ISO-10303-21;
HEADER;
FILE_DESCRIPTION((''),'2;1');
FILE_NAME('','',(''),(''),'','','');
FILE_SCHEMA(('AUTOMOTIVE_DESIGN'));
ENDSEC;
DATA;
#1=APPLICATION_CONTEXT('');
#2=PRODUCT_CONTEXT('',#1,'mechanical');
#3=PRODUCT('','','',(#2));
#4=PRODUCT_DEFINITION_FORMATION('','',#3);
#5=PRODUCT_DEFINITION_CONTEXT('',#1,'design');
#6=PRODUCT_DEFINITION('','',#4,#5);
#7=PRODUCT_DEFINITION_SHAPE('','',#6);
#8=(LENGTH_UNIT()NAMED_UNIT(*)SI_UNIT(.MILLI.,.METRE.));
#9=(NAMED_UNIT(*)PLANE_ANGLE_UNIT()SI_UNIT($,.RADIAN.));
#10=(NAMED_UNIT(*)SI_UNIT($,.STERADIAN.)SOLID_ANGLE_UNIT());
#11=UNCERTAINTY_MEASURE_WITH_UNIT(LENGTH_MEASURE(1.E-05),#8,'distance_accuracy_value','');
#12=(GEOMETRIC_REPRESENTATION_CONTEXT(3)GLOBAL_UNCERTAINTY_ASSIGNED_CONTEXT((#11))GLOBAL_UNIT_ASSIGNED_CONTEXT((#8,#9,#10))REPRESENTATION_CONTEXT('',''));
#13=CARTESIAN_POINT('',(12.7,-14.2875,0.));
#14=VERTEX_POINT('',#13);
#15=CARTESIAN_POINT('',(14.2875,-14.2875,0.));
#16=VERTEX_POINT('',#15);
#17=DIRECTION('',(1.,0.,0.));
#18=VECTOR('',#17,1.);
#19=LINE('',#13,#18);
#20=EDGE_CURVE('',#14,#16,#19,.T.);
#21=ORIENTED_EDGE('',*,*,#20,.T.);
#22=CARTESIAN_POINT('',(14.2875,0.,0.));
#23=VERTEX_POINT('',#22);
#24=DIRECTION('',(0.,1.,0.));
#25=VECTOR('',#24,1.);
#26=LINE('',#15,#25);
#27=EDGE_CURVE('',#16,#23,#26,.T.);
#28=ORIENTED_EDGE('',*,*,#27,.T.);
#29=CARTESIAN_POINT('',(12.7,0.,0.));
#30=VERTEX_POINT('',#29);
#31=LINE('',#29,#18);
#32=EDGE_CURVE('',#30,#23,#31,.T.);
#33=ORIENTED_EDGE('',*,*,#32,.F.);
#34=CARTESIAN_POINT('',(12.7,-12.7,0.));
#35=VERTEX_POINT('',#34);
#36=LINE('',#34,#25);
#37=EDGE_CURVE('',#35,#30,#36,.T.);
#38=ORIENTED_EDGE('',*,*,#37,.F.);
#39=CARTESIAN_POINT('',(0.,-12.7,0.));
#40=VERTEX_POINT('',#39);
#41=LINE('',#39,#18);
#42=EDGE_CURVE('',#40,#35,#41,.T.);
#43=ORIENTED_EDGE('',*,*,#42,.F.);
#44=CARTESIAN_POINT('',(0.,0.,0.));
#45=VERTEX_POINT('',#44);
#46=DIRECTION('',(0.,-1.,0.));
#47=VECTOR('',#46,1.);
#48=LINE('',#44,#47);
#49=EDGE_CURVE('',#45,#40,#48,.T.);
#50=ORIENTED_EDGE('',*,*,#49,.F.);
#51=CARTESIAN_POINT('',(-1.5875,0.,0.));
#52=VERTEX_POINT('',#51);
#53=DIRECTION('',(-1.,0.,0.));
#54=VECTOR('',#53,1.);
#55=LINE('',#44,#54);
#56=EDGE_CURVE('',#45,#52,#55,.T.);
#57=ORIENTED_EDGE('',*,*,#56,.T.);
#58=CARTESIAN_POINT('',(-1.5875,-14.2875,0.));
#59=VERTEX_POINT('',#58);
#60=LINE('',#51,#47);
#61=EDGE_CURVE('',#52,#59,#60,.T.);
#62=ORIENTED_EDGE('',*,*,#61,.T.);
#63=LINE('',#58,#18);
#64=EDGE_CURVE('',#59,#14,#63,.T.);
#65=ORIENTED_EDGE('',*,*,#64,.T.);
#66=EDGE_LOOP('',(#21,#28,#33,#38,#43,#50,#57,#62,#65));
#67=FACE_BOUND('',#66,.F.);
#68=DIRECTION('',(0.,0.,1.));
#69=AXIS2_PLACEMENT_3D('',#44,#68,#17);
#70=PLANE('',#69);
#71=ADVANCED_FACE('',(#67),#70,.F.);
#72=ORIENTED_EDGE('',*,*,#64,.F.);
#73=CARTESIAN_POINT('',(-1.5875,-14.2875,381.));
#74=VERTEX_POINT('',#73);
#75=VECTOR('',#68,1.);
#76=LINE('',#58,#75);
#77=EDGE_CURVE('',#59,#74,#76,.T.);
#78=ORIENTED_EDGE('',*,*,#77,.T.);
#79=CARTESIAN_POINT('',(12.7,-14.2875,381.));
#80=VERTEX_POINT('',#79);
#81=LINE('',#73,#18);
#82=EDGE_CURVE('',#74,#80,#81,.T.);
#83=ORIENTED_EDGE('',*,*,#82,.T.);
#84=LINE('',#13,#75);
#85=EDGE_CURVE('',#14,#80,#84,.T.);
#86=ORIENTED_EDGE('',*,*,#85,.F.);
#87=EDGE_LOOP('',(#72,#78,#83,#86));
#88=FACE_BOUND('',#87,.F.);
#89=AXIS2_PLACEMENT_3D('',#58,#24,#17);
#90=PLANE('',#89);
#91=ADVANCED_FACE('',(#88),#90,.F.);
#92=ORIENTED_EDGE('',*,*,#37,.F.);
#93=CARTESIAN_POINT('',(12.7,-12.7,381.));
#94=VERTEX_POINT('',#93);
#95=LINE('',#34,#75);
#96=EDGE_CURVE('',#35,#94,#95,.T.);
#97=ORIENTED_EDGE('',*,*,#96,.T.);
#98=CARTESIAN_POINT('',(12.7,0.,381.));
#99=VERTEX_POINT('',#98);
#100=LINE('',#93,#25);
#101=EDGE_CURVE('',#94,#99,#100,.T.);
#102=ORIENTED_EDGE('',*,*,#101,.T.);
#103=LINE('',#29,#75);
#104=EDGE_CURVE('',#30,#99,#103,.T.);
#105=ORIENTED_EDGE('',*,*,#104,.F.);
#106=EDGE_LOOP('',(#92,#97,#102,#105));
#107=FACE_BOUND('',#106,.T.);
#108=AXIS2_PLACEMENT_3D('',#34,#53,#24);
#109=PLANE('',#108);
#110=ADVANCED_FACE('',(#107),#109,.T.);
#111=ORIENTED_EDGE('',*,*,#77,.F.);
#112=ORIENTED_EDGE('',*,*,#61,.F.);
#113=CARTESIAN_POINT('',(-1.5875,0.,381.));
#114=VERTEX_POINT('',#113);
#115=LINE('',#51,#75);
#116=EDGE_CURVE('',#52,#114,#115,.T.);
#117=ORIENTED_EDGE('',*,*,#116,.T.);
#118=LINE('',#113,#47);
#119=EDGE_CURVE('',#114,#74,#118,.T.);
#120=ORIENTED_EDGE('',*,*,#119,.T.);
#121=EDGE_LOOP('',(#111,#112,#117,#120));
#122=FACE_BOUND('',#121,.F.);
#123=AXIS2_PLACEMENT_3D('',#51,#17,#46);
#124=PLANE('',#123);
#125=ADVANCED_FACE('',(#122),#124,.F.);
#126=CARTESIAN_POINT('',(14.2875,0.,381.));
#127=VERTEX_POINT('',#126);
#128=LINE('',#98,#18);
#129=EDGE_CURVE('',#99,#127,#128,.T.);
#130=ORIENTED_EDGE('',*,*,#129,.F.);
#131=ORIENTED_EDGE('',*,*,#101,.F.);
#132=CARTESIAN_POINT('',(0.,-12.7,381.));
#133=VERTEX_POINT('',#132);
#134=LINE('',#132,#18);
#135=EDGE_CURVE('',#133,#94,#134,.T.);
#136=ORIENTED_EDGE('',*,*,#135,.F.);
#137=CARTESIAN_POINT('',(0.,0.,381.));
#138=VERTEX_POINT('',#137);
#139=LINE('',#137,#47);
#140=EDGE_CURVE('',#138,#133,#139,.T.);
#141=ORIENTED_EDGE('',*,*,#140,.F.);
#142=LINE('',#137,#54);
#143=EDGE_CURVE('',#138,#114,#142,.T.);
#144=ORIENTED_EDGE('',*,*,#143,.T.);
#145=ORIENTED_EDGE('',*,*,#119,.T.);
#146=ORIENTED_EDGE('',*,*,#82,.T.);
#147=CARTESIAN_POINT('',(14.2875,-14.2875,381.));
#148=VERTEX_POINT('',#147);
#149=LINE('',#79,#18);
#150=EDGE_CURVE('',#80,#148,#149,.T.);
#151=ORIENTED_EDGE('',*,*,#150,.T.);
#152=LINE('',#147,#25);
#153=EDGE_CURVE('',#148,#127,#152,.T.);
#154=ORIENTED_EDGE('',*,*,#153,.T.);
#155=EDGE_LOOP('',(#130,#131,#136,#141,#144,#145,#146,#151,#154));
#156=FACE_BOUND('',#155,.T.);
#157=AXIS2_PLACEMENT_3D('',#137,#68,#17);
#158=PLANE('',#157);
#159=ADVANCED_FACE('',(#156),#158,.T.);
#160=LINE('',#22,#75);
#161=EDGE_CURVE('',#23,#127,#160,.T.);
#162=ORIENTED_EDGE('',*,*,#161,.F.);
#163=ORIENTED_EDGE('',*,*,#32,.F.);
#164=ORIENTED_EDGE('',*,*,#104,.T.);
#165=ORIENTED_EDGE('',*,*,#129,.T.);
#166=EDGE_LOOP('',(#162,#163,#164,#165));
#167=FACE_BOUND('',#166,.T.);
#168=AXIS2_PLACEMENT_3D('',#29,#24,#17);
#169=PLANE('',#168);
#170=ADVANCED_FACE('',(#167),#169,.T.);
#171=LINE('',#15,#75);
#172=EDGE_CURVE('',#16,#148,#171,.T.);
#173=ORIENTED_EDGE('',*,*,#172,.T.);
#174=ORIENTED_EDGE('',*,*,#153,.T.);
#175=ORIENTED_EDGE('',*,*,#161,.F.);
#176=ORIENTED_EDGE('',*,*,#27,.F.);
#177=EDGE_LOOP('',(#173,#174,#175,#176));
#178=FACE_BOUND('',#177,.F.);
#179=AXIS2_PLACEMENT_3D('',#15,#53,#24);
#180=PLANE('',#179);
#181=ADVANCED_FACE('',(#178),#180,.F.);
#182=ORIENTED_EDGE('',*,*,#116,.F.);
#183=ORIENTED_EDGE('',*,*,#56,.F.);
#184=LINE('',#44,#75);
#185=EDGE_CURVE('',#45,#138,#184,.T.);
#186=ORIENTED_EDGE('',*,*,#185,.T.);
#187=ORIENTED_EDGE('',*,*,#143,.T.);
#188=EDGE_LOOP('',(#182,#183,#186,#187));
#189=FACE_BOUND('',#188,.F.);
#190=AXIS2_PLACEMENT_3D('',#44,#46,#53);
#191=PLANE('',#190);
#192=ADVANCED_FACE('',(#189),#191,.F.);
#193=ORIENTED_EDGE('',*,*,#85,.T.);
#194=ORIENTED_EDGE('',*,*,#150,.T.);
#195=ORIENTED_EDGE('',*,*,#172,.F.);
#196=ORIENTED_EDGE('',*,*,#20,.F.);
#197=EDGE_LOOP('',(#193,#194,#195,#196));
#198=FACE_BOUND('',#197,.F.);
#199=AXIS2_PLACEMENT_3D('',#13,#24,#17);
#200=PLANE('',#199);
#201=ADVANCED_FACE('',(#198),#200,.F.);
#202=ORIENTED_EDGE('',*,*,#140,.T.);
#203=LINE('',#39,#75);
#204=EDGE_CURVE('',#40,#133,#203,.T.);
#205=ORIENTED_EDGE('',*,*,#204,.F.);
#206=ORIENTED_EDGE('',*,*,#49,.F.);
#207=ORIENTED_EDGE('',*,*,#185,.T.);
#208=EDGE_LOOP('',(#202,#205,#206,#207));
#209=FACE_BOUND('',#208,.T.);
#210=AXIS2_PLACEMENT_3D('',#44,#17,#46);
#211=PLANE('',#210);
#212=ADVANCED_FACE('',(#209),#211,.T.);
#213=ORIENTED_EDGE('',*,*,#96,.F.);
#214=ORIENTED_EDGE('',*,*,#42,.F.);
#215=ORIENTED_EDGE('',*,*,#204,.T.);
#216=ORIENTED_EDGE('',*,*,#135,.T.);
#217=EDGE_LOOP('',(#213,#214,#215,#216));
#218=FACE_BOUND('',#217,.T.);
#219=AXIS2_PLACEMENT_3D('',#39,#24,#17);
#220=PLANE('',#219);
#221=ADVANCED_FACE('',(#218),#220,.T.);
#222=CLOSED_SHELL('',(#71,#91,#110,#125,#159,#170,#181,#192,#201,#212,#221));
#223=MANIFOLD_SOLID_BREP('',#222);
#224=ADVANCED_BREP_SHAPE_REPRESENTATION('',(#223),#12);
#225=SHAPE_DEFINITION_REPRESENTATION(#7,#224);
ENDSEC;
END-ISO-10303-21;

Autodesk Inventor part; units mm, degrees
ref_plane "YZ Plane" through (0, 0, 0) normal (1, 0, 0) x (0, 1, 0)
ref_plane "XZ Plane" through (0, 0, 0) normal (0, 1, 0) x (-1, 0, 0)
ref_plane "XY Plane" through (0, 0, 0) normal (0, 0, 1) x (1, 0, 0)
sketch "Sketch1" plane through (0, 0, 0) normal (0, 0, 1) x (1, 0, 0)
  line L0 (0, 0) -> (0, -12.7)
  line L1 (0, -12.7) -> (12.7, -12.7)
  line L2 (12.7, -12.7) -> (12.7, 0)
  line L3 (12.7, 0) -> (14.2875, 0)
  line L4 (12.7, -14.2875) -> (14.2875, -14.2875)
  line L5 (14.2875, -14.2875) -> (14.2875, 0)
  line L6 (0, 0) -> (-1.5875, 0)
  line L7 (-1.5875, 0) -> (-1.5875, -14.2875)
  line L8 (-1.5875, -14.2875) -> (12.7, -14.2875)
  dimension "d0" = 12.7
  dimension "d2" = 1.5875
  dimension "d3" = 1.5875
  dimension "d4" = 1.5875
extrude "Extrusion1" add sketch "Sketch1" along normal blind 381
properties part number "BackLiftProtoPart7"
